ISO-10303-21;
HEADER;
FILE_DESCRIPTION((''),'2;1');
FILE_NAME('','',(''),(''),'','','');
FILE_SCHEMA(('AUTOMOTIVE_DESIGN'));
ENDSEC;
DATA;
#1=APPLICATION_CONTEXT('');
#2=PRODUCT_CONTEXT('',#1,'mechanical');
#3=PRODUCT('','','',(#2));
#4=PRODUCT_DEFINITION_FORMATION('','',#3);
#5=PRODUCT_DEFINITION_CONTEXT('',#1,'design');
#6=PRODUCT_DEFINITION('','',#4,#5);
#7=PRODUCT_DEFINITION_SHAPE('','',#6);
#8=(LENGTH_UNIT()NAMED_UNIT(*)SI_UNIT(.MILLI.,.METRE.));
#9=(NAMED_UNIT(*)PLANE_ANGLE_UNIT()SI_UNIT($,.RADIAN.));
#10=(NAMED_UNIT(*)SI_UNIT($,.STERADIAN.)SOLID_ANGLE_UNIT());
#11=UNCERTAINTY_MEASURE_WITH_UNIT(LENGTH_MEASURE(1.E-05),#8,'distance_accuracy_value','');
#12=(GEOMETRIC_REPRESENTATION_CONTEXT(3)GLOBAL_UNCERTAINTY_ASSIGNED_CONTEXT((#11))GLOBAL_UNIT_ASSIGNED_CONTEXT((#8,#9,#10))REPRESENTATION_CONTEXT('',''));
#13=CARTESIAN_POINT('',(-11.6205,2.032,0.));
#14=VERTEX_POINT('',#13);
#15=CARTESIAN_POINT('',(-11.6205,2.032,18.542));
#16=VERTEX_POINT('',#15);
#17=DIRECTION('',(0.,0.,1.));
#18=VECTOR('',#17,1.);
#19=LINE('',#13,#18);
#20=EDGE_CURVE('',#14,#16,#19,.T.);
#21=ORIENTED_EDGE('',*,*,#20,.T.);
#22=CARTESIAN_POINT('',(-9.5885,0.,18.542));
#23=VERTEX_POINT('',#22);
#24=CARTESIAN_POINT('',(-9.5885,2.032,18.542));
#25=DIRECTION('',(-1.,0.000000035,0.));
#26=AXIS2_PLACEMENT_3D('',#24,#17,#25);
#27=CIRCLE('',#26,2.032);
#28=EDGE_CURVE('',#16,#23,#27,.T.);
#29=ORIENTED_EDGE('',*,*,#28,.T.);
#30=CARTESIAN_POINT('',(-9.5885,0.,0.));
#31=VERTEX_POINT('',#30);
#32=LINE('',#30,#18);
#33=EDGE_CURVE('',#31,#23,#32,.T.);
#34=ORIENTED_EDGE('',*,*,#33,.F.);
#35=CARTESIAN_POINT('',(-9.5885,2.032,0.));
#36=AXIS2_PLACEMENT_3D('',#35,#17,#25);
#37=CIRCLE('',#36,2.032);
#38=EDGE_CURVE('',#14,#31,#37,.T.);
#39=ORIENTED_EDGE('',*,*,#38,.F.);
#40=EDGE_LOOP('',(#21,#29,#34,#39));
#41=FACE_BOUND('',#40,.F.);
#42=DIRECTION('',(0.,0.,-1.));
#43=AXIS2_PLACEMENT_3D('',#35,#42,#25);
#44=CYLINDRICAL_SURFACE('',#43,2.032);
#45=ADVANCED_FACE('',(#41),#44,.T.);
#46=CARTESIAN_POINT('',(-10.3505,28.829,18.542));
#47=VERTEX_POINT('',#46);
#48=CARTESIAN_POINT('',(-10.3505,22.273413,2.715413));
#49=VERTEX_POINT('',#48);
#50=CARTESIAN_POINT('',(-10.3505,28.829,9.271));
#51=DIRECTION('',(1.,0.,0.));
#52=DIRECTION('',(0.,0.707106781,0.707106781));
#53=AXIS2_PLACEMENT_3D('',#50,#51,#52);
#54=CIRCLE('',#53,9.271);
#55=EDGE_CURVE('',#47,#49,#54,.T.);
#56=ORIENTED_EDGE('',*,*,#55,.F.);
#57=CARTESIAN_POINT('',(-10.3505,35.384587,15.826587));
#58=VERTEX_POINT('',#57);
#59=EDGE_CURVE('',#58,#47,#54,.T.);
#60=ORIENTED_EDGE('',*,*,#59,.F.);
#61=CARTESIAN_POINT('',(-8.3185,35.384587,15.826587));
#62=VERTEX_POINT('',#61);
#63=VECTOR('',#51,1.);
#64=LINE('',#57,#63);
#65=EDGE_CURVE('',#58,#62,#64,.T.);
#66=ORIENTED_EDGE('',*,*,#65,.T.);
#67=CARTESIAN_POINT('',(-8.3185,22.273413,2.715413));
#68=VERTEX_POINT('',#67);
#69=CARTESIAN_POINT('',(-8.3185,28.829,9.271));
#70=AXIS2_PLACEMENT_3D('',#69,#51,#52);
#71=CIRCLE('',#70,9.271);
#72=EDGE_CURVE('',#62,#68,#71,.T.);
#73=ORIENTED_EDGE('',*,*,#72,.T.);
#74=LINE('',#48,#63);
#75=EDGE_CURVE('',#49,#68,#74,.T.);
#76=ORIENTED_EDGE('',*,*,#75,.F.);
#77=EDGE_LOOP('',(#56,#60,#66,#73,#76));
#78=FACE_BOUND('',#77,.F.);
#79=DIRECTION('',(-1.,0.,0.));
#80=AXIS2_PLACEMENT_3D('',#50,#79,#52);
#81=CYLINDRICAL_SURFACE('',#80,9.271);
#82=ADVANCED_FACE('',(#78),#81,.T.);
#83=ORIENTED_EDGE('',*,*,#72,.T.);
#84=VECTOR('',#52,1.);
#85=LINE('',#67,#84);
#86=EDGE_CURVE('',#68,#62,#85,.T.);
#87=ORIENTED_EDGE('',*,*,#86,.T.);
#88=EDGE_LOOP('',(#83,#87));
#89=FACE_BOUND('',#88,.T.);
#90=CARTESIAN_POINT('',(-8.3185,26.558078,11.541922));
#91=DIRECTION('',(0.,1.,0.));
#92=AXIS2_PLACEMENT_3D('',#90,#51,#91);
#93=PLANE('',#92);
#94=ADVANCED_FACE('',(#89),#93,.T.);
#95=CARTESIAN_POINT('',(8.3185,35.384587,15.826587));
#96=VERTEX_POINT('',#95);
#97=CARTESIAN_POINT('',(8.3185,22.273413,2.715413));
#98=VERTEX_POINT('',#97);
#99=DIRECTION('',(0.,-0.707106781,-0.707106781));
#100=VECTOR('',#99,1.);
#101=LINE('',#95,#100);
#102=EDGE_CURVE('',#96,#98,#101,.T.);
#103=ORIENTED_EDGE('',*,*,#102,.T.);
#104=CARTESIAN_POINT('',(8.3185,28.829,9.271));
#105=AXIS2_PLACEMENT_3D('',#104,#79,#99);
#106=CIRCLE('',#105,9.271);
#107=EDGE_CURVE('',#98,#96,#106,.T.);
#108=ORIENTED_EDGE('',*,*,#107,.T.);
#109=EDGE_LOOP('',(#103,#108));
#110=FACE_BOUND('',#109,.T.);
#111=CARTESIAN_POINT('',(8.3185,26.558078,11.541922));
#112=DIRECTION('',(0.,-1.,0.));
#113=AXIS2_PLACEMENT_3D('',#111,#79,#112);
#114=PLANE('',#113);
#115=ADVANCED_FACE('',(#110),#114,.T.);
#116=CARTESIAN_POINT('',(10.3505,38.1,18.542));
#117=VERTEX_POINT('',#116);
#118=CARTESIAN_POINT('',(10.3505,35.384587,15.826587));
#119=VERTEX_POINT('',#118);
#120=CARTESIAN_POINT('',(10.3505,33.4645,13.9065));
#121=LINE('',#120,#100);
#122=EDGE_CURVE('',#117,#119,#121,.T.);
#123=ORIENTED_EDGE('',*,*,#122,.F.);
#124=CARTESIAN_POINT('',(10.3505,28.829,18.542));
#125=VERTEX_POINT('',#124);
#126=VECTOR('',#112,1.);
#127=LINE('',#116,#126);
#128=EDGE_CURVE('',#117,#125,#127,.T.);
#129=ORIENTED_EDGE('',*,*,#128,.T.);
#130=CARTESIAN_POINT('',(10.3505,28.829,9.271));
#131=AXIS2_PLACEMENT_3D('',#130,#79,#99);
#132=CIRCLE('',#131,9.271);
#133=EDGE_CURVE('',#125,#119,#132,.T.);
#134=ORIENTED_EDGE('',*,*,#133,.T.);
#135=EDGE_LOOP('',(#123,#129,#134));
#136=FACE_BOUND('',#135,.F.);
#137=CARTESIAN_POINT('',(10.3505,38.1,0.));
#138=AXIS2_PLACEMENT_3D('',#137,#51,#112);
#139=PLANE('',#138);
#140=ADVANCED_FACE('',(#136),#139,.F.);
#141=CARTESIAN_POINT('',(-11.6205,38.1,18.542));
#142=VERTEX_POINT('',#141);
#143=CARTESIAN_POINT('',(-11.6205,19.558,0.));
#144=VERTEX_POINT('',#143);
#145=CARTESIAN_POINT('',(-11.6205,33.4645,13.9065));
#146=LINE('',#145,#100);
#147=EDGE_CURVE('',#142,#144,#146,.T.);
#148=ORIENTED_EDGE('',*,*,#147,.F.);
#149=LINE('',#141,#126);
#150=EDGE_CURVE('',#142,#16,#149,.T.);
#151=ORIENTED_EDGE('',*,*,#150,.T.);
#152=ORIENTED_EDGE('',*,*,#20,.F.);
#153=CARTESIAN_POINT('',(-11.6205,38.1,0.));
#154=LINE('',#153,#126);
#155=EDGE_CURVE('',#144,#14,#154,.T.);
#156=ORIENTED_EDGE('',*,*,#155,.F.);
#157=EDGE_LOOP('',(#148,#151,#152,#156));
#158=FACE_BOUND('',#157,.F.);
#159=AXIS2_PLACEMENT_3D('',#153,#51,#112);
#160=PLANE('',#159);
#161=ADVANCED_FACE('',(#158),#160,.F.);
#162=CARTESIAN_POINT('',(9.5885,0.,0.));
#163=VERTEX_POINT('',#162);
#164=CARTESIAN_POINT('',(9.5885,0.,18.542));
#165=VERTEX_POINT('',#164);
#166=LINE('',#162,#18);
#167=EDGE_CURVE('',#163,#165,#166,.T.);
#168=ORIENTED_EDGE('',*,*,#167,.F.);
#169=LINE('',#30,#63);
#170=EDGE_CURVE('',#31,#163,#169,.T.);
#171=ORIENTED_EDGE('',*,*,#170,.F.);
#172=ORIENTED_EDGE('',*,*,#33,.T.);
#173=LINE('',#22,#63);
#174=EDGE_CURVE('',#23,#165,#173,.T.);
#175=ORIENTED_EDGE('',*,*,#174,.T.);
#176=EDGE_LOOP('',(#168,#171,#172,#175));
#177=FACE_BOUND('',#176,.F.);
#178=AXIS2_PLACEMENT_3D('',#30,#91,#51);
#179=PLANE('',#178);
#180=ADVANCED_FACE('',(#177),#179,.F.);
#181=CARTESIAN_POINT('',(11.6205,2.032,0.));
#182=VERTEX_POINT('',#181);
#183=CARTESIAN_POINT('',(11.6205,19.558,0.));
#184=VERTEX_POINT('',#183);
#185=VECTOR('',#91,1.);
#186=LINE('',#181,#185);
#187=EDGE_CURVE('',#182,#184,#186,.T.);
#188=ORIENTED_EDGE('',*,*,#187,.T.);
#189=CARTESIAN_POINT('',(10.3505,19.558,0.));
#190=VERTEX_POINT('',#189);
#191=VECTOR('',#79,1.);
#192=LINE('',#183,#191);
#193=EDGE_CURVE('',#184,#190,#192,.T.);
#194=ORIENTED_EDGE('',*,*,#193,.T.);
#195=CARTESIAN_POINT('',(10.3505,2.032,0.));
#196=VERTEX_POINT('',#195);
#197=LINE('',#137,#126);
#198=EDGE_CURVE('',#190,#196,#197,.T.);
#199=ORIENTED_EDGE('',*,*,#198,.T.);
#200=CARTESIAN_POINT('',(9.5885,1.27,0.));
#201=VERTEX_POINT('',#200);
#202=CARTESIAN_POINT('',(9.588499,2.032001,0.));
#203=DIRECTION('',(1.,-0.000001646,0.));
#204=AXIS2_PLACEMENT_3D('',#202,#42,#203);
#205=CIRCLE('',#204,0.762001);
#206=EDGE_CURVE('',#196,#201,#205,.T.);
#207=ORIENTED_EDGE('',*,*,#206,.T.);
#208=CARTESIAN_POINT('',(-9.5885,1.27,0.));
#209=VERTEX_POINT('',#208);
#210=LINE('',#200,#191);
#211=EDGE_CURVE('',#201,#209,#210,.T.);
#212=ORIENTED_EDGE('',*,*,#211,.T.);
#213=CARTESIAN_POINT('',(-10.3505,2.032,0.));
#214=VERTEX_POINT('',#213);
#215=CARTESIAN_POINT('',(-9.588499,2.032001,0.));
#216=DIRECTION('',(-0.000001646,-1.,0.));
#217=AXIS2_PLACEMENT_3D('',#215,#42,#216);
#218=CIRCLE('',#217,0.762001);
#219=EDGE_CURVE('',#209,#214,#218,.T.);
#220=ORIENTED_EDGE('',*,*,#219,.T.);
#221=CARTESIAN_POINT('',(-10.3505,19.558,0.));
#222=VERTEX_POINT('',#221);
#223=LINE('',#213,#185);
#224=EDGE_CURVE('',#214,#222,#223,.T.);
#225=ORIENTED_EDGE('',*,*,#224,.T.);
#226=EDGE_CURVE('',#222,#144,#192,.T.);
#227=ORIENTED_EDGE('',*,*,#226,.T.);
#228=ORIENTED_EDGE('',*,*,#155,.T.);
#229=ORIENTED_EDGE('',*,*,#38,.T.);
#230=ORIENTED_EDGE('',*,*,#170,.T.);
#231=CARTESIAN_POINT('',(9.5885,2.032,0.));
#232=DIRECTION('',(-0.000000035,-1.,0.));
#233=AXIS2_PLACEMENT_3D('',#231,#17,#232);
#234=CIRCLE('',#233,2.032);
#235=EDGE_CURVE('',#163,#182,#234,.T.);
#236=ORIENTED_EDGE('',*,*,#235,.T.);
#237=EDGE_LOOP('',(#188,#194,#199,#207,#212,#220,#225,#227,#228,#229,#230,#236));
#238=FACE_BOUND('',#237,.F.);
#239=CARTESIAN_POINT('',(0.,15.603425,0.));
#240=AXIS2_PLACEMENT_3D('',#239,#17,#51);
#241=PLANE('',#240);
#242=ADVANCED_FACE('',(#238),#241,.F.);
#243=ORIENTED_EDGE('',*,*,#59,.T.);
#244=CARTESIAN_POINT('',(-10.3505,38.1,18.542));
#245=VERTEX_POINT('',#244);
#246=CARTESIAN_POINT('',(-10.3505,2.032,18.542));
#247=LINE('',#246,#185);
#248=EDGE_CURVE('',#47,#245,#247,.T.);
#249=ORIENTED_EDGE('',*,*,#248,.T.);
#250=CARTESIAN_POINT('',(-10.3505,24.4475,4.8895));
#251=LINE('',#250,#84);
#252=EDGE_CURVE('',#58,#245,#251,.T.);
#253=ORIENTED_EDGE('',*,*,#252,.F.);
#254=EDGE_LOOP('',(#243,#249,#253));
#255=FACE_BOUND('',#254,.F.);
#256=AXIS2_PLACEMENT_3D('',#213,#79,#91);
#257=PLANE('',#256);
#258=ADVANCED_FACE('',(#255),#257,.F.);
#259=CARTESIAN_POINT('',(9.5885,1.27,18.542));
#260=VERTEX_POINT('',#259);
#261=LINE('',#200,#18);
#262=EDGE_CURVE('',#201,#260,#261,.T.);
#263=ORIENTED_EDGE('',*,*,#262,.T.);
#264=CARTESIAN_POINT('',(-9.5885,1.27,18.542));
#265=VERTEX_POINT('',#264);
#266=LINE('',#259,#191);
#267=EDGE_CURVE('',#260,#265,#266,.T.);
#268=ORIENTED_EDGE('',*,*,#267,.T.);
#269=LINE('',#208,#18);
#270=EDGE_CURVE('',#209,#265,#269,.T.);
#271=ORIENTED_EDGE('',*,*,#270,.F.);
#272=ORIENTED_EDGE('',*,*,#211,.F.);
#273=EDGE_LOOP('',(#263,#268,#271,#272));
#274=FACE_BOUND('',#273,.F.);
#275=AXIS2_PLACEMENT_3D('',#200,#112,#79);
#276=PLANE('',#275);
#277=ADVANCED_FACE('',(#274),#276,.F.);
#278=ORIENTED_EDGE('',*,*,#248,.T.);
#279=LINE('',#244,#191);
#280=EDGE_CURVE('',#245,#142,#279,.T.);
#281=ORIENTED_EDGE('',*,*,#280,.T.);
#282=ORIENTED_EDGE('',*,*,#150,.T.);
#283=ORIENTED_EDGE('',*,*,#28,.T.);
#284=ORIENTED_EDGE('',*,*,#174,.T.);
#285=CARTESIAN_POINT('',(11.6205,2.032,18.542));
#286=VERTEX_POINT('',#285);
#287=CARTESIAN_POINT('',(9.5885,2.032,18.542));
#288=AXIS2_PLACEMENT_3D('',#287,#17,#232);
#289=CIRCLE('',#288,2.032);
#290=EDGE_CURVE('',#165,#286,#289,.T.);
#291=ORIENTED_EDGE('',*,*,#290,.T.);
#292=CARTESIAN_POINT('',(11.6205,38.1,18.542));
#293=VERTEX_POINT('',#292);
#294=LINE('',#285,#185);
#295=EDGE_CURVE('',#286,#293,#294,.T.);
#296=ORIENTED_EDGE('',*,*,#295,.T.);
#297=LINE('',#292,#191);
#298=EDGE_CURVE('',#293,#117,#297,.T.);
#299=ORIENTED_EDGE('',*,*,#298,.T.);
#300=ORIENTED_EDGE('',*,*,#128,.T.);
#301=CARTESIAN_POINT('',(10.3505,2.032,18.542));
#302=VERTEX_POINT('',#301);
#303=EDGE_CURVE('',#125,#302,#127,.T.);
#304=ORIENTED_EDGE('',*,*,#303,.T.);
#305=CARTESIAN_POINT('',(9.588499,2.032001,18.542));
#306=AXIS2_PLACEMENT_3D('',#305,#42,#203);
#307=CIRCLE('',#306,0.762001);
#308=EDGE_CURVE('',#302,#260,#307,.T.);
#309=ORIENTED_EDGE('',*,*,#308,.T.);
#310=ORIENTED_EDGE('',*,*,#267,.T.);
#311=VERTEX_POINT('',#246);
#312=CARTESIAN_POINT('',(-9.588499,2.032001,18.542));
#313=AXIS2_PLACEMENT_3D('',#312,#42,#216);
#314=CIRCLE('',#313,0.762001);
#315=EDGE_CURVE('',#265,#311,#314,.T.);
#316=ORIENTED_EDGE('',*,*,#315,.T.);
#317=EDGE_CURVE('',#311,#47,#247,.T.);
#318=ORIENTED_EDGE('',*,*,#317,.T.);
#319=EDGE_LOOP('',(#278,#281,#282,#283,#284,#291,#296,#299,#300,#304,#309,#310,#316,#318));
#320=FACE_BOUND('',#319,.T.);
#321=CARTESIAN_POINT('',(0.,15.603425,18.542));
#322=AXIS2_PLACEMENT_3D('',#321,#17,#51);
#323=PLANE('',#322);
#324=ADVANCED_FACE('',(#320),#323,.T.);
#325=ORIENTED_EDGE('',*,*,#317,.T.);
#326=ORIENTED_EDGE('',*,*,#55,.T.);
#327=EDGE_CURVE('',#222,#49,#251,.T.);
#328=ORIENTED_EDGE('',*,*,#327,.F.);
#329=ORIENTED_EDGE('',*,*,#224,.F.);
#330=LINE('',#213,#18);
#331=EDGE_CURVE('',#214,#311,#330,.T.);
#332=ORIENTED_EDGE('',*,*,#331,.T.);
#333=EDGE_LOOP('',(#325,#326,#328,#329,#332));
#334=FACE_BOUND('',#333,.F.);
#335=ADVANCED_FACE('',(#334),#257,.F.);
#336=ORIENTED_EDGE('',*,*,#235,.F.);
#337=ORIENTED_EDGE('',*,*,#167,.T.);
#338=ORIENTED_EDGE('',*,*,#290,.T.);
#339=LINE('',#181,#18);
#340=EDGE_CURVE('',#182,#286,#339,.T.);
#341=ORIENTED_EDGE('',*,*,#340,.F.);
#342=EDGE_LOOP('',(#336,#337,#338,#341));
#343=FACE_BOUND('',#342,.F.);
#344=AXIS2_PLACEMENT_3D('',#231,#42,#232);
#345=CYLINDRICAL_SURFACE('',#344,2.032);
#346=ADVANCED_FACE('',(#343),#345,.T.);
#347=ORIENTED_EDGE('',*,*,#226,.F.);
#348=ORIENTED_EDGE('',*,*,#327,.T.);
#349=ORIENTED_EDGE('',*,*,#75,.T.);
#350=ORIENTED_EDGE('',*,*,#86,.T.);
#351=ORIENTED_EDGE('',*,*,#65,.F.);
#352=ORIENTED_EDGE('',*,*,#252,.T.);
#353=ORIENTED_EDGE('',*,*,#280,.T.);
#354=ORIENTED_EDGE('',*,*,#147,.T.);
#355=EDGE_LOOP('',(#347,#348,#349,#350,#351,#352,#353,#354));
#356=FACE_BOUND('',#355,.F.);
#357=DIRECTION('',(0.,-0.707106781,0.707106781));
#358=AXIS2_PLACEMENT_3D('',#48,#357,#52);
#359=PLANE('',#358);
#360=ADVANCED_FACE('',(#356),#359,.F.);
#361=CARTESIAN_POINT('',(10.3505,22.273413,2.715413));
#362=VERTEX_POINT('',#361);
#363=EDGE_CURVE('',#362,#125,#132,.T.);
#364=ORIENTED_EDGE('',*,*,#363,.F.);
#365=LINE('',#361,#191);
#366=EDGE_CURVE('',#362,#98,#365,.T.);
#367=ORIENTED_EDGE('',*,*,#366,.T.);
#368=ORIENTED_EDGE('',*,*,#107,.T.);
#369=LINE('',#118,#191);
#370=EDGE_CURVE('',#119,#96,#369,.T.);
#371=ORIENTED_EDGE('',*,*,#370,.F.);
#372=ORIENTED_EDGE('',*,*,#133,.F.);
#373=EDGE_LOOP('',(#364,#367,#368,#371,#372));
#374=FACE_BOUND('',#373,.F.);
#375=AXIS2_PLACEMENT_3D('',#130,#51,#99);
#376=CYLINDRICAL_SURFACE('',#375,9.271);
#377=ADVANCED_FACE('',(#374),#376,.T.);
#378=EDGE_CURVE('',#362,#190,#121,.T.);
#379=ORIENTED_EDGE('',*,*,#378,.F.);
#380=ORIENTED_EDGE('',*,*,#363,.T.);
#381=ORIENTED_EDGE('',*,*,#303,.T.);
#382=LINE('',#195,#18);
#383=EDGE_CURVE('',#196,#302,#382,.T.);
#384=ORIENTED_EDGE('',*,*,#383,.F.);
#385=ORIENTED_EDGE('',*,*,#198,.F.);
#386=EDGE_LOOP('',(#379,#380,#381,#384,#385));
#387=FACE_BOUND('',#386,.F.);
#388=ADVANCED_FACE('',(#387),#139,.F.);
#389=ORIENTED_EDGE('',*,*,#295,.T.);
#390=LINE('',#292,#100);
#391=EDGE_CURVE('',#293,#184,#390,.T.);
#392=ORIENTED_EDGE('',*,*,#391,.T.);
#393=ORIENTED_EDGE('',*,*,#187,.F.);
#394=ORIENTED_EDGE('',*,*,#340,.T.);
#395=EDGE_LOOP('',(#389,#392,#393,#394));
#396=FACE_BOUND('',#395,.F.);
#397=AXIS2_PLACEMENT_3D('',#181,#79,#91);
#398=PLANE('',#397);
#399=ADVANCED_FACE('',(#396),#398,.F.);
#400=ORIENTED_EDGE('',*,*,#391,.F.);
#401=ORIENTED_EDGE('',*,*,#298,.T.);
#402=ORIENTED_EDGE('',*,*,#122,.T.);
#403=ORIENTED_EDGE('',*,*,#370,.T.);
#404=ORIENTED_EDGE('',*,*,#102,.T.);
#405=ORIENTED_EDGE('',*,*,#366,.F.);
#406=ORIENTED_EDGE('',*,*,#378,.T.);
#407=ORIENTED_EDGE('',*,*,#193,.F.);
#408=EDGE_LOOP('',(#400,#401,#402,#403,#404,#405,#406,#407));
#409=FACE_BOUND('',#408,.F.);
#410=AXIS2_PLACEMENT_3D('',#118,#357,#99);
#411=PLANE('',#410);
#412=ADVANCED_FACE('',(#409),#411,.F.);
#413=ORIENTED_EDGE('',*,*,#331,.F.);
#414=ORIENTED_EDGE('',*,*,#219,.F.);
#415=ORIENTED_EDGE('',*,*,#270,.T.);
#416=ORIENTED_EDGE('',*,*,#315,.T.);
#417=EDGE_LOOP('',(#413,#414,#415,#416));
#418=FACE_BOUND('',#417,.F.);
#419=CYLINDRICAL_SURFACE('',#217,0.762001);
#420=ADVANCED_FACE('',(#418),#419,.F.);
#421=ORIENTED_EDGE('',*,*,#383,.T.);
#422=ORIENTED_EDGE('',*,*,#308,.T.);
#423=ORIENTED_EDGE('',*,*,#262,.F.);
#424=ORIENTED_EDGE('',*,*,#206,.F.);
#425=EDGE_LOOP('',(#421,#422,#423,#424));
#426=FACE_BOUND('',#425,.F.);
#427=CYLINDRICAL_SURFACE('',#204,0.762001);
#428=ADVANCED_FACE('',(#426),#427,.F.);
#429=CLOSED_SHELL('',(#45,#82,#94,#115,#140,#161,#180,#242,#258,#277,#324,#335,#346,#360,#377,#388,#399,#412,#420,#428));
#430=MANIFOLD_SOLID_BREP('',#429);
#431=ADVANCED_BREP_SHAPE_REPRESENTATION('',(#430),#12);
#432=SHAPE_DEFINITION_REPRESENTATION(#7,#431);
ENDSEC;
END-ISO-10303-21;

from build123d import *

# Parameters (mm, degrees)
F1_DEPTH = 18.542
F3_DEPTH = 23.242
F5_DEPTH = 2.032
F7_DEPTH = 2.032


with BuildPart() as f1:
    # F0 (on Top) → F1 (new body)
    with BuildSketch(Plane.XY):
        with BuildLine():
            Line((-10.3505, 38.1), (-11.6205, 38.1))
            Line((-11.6205, 38.1), (-11.6205, 2.032))
            ThreePointArc((-11.6205, 2.032), (-11.025341, 0.595159), (-9.5885, 0))
            Line((-9.5885, 0), (9.5885, 0))
            ThreePointArc((9.5885, 0), (11.025341, 0.595159), (11.6205, 2.032))
            Line((11.6205, 2.032), (11.6205, 38.1))
            Line((11.6205, 38.1), (10.3505, 38.1))
            Line((10.3505, 38.1), (10.3505, 2.032))
            ThreePointArc((10.3505, 2.032), (10.127315, 1.493185), (9.5885, 1.27))
            Line((9.5885, 1.27), (-9.5885, 1.27))
            ThreePointArc((-9.5885, 1.27), (-10.127315, 1.493185), (-10.3505, 2.032))
            Line((-10.3505, 2.032), (-10.3505, 38.1))
        make_face()
    extrude(amount=F1_DEPTH)

    # F2 (on face) → F3 (cut, through all)
    with BuildSketch(Plane.YZ.offset(11.6205)):
        Polygon((38.1, 0), (38.1, 18.542), (19.558, 0), align=None)
    extrude(amount=-F3_DEPTH, mode=Mode.SUBTRACT)

    # F4 (on face) → F5 (join)
    with BuildSketch(Plane.YZ.offset(-10.3505)):
        with BuildLine():
            Line((22.273413, 2.715413), (35.384587, 15.826587))
            ThreePointArc((35.384587, 15.826587), (22.273413, 15.826587), (22.273413, 2.715413))
        make_face()
    extrude(amount=F5_DEPTH)

    # F6 (on face) → F7 (join)
    with BuildSketch(Plane(origin=(10.3505, 0, 0), x_dir=(0, -1, 0), z_dir=(-1, 0, 0))):
        with BuildLine():
            Line((-35.384587, 15.826587), (-22.273413, 2.715413))
            ThreePointArc((-22.273413, 2.715413), (-22.273413, 15.826587), (-35.384587, 15.826587))
        make_face()
    extrude(amount=F7_DEPTH)


solid = f1.part
